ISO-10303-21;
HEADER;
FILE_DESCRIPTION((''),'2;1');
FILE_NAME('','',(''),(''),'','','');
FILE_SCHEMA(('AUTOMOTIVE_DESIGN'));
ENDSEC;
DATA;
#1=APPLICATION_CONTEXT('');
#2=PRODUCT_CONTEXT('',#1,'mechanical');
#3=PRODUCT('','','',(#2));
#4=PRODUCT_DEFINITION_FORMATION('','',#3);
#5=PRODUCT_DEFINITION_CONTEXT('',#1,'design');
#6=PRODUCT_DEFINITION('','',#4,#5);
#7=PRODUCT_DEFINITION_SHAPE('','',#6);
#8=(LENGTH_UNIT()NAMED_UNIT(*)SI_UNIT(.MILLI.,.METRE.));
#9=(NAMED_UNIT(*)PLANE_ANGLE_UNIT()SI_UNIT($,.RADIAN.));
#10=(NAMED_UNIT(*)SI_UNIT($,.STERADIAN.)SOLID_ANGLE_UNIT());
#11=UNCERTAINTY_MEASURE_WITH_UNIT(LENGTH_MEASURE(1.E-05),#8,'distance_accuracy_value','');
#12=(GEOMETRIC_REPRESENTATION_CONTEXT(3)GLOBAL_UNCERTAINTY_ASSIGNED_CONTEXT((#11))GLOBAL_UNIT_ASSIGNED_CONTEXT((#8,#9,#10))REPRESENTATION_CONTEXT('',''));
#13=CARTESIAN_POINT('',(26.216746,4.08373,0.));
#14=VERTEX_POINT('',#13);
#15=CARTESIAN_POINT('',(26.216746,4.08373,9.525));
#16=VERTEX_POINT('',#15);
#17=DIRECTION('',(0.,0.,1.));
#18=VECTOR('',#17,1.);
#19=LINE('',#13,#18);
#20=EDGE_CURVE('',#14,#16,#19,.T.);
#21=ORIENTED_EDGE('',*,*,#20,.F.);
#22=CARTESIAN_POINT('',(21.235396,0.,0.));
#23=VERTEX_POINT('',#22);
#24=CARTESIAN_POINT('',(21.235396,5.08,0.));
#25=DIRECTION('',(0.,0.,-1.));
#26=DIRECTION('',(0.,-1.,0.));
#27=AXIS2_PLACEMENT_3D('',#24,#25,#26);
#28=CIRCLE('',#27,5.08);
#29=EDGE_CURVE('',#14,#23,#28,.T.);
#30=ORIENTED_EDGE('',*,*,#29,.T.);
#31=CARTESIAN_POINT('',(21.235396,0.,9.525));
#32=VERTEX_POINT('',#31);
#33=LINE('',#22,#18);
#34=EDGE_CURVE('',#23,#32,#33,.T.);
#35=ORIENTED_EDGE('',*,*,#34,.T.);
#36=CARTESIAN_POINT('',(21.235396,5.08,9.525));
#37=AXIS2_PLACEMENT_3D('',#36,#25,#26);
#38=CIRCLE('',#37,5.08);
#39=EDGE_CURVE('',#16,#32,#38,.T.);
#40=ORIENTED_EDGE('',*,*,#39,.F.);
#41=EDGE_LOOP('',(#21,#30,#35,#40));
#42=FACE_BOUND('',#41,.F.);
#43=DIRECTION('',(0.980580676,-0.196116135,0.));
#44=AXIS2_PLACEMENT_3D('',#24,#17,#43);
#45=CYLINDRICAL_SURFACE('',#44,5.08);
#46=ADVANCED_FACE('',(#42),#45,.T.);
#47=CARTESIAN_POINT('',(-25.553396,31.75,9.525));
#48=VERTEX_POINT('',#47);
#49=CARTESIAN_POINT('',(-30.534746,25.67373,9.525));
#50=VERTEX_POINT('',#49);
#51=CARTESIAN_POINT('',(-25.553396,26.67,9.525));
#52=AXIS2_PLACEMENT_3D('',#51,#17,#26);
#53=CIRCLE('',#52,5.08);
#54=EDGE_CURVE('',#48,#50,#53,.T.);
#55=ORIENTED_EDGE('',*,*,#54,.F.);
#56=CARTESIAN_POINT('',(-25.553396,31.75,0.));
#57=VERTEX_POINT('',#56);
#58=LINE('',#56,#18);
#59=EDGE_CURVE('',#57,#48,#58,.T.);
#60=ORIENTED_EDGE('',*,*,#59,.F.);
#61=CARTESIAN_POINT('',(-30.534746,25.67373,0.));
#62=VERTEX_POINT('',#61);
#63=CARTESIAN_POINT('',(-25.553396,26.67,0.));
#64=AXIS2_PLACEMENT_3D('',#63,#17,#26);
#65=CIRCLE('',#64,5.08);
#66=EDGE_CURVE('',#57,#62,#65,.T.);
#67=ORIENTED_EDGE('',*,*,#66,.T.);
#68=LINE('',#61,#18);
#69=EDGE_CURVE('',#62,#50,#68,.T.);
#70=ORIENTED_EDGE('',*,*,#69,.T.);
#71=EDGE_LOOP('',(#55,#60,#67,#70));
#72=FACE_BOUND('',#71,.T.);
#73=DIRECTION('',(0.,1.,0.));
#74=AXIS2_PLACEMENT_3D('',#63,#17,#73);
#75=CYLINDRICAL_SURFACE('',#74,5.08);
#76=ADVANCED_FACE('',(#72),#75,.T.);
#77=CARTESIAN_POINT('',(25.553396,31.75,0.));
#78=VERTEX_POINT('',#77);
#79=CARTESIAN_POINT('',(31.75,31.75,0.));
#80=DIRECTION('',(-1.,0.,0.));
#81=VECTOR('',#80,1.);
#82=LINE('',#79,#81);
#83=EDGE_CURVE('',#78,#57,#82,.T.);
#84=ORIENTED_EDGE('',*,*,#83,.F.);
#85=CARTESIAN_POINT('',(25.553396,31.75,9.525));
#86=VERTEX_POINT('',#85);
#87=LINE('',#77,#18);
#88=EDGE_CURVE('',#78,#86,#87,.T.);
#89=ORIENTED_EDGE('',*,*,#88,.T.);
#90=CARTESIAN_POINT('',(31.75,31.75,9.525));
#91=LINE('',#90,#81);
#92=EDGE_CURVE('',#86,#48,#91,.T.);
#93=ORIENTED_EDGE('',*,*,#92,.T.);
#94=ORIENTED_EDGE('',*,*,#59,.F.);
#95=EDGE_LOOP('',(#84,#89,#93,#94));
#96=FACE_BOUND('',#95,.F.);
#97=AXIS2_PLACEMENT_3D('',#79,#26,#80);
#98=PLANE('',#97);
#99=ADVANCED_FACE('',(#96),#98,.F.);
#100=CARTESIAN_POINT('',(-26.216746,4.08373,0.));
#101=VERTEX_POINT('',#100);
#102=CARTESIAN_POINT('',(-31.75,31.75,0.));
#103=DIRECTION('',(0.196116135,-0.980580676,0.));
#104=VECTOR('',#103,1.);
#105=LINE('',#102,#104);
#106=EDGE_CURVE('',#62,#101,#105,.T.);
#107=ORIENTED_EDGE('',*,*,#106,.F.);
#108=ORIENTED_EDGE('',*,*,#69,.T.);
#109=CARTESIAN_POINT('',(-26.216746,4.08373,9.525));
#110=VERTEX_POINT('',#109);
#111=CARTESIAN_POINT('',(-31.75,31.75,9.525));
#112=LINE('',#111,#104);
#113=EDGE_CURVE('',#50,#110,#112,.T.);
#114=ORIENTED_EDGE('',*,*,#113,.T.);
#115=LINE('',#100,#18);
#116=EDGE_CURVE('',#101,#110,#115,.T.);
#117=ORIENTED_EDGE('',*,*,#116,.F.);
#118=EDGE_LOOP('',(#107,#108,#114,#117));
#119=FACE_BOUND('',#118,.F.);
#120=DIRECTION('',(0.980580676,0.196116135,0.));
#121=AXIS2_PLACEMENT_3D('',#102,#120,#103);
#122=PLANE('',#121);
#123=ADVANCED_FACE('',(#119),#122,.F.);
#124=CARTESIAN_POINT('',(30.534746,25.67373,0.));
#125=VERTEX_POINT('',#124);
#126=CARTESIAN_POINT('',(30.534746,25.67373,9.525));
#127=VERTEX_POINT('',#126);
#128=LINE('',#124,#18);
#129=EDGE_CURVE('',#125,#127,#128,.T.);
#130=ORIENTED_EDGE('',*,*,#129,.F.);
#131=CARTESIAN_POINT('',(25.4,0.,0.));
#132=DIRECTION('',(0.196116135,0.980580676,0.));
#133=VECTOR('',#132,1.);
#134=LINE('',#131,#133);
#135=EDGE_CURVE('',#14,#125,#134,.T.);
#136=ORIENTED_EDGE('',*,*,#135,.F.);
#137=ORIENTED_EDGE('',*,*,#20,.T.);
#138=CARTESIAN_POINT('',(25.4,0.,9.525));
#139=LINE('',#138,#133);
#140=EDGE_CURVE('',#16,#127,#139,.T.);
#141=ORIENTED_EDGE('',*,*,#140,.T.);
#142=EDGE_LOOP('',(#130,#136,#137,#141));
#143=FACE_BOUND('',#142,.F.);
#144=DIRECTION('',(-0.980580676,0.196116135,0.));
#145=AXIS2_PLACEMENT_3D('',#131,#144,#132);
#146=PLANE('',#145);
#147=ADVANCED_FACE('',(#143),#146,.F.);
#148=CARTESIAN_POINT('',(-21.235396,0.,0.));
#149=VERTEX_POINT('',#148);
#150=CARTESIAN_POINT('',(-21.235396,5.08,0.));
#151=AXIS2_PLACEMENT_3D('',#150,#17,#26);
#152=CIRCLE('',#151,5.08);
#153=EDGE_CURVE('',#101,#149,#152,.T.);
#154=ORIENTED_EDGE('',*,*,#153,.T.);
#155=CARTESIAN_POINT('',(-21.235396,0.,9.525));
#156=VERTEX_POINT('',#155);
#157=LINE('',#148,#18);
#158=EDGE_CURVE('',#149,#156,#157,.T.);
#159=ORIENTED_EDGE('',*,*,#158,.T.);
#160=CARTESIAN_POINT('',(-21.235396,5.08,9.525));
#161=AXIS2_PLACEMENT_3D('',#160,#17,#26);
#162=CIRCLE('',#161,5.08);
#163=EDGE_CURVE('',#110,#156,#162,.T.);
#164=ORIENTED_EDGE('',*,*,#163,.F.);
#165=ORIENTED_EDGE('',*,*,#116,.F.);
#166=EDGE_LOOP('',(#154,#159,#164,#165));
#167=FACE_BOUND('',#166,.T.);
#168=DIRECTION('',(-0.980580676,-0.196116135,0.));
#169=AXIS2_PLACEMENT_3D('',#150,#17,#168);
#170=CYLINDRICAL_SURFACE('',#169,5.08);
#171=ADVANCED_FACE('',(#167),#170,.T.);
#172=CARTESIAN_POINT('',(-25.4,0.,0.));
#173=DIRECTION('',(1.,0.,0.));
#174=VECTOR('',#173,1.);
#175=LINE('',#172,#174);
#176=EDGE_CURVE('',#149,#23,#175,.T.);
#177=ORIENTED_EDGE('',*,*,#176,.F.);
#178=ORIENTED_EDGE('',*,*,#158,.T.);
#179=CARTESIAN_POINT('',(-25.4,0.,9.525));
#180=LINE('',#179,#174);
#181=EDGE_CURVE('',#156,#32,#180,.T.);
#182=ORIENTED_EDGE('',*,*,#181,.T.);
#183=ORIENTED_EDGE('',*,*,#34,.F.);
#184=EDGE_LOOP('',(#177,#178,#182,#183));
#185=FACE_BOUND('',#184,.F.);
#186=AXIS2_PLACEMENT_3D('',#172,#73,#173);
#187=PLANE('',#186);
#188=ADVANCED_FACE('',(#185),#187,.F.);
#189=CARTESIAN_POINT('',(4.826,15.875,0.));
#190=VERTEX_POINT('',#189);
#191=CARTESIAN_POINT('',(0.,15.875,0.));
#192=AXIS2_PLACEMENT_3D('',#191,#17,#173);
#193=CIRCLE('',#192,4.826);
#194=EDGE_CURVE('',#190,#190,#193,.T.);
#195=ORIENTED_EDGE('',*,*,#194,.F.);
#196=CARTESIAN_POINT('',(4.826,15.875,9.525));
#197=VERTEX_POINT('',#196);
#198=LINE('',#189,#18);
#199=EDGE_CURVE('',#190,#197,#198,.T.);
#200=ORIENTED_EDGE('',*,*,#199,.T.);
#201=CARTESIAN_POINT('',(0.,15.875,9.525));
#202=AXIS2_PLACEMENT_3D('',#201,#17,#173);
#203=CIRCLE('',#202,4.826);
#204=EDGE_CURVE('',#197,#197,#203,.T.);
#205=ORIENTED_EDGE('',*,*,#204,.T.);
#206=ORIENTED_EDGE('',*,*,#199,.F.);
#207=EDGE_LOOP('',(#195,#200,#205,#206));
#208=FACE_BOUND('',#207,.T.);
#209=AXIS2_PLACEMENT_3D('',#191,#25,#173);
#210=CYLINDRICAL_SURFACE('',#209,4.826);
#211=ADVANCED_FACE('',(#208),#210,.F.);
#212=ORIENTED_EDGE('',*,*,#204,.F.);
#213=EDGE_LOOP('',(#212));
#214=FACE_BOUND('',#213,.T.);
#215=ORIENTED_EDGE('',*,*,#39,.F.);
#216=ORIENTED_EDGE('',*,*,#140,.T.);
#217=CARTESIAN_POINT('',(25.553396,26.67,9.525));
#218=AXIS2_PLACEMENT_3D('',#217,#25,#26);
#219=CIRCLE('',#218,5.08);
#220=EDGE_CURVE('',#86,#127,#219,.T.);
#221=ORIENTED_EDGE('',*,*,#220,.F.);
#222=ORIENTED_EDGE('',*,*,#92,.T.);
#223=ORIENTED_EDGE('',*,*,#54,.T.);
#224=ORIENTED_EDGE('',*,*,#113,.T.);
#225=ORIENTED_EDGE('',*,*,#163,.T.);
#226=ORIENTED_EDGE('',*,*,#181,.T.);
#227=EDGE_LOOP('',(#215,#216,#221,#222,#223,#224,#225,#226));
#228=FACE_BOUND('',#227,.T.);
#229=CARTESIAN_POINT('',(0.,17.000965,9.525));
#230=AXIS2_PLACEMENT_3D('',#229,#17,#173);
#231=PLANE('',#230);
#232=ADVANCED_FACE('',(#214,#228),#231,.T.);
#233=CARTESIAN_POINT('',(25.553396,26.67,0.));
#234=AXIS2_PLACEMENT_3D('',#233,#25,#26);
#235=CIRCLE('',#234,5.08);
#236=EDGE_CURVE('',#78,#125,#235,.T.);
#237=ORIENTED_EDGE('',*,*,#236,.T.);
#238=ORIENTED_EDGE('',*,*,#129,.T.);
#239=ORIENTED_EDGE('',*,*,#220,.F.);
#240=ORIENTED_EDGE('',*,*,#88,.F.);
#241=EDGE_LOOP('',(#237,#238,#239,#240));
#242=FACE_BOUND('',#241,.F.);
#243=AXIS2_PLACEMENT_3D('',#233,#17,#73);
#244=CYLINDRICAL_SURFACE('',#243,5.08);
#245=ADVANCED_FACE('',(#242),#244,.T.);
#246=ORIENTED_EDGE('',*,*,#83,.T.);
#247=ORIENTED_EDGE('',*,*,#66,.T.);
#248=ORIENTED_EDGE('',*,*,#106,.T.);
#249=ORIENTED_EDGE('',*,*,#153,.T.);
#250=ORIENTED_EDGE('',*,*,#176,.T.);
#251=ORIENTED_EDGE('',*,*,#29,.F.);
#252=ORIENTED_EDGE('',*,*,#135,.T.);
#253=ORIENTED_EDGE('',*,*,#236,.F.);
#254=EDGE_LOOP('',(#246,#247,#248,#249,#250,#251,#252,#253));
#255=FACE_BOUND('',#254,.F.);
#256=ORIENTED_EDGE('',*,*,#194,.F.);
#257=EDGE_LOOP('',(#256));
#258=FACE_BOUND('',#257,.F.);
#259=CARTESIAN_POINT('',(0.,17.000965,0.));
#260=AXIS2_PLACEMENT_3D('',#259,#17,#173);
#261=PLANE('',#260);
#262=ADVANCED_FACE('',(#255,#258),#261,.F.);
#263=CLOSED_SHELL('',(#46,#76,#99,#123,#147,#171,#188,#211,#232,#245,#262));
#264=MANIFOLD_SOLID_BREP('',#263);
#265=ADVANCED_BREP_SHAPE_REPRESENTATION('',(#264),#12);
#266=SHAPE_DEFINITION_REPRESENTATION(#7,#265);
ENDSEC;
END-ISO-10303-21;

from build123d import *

# Parameters (mm, degrees)
F2_DEPTH = 9.525
F1_R     = 4.826
F3_DEPTH = 9.525
F4_R     = 5.08


with BuildPart() as f2:
    # F0 (on Top) → F2 (new body)
    with BuildSketch(Plane.XY):
        Polygon((31.75, 31.75), (0, 31.75), (-31.75, 31.75), (-25.4, 0), (0, 0), (25.4, 0), align=None)
    extrude(amount=F2_DEPTH)

    # F1 (on face) → F3 (cut, through all)
    with BuildSketch(Plane.XY):
        with Locations((0, 15.875)):
            Circle(F1_R)
    extrude(amount=F3_DEPTH, mode=Mode.SUBTRACT)

    # F4
    f4_edges = [f2.edges().sort_by_distance(p)[0] for p in [
        (-31.75, 31.75, 4.7625),
        (31.75, 31.75, 4.7625),
        (25.4, 0, 4.7625),
        (-25.4, 0, 4.7625),
    ]]
    fillet(f4_edges, radius=F4_R)


solid = f2.part
